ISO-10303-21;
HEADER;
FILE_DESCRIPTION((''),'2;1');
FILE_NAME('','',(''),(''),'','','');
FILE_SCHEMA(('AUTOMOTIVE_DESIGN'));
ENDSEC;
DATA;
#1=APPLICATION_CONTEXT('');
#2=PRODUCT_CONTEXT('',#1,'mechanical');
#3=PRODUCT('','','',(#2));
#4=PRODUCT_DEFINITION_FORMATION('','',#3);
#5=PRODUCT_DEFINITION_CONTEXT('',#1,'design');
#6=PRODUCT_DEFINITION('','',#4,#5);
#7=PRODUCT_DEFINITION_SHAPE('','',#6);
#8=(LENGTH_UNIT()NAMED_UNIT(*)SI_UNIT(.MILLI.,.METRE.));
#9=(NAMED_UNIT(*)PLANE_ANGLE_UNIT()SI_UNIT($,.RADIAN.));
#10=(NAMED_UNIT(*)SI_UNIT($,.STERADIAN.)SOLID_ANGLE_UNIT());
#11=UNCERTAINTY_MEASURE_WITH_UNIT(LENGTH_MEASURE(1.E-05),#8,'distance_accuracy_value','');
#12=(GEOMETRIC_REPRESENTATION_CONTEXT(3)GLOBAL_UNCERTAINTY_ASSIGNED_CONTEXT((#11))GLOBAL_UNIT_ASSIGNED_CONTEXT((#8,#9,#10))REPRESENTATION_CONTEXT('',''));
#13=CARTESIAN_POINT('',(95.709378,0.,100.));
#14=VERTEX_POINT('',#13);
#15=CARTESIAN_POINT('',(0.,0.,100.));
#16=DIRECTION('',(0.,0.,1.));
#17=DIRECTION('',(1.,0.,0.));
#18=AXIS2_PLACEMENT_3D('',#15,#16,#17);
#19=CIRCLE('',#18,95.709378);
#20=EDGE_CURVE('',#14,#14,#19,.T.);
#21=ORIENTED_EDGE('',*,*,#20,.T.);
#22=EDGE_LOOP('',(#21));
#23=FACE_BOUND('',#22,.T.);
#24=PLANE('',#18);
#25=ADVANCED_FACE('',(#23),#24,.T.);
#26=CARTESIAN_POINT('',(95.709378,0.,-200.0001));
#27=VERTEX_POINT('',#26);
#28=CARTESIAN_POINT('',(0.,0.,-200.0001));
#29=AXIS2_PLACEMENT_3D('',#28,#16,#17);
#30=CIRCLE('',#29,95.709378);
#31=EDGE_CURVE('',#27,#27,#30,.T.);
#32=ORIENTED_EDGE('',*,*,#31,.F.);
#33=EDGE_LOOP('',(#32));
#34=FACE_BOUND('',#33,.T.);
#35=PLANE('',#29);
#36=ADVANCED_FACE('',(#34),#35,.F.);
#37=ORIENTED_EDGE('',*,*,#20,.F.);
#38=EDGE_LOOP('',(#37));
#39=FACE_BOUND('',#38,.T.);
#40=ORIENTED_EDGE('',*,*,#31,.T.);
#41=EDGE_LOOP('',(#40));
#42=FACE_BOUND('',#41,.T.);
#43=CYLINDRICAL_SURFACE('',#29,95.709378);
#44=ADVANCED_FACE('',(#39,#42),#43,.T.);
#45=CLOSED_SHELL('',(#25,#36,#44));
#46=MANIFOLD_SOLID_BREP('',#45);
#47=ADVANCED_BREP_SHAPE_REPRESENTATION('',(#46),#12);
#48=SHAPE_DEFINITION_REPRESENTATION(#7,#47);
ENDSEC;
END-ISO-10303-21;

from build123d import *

# Parameters (mm, degrees)
SKETCH5_R           = 95.709377651
BOSS_EXTRUDE2_DEPTH = 300.0001


with BuildPart() as part:
    # Sketch5 → Boss-Extrude2 (new body)
    with BuildSketch(Plane.XY):
        Circle(SKETCH5_R)
    extrude(amount=-BOSS_EXTRUDE2_DEPTH)


with BuildPart() as part_1:
    # Body-Move/Copy2: moved
    add(part.part.moved(Location((0, 0, 100))))


solid = part_1.part
